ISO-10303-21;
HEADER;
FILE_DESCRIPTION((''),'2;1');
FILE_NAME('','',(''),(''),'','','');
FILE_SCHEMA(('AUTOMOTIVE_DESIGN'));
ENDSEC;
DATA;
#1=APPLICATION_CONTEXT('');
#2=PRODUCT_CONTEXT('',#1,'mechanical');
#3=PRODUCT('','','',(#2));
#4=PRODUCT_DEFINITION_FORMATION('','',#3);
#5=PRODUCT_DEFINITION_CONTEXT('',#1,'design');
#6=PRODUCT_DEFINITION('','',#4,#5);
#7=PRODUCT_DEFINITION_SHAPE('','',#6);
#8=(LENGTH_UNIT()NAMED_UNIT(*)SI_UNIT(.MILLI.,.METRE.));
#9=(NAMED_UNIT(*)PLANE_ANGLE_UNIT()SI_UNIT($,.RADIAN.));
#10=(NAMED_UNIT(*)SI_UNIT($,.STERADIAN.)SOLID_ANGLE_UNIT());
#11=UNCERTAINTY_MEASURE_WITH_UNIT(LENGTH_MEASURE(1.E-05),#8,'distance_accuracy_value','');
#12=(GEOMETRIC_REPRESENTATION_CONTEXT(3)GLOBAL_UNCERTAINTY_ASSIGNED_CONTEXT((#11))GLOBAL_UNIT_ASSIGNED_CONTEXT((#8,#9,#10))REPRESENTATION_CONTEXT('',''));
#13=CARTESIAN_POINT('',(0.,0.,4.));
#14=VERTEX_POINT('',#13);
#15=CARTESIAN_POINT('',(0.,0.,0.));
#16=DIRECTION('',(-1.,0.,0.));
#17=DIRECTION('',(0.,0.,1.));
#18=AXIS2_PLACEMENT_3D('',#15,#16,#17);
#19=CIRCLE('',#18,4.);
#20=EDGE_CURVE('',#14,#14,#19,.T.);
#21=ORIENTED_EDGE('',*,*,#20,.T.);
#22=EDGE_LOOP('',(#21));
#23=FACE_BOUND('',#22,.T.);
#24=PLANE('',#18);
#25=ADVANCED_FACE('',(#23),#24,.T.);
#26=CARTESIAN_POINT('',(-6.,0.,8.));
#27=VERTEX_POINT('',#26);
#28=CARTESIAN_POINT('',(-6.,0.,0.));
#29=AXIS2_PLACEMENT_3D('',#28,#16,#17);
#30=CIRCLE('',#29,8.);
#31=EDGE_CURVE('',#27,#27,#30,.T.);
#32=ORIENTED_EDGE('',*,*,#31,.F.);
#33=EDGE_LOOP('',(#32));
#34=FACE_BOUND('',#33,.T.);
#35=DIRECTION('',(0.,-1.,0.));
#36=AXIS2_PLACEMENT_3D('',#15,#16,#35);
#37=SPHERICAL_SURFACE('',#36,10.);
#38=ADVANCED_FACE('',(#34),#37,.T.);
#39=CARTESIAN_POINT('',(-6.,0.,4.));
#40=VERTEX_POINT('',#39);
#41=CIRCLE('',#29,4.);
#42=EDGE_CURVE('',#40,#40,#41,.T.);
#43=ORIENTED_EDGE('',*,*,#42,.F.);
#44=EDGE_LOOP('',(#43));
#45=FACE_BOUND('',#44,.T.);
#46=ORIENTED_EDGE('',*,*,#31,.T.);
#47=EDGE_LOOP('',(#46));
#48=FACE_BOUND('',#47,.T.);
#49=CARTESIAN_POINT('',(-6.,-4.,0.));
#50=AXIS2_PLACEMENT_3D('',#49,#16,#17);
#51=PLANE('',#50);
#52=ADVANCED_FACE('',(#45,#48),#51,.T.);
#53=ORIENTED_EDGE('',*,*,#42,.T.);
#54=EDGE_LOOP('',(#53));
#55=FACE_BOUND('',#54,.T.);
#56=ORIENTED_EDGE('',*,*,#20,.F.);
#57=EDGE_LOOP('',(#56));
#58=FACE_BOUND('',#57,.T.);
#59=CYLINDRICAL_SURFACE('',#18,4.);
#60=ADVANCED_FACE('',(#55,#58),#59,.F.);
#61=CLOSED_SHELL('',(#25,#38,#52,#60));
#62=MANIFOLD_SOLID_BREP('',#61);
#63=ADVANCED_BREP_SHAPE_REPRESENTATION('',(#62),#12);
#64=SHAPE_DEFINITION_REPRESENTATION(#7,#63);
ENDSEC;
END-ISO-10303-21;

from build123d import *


with BuildPart() as part:
    # Эскиз5 → Повернуть2 (revolve)
    with BuildSketch(Plane.XY):
        with BuildLine():
            Line((0, 0), (10, 0))
            ThreePointArc((10, 0), (4.472135955, -8.94427191), (-6, -8))
            Line((-6, -8), (-6, -4))
            Line((-6, -4), (0, -4))
            Line((0, -4), (0, 0))
        make_face()
    revolve(axis=Axis((0, 0, 0), (1, 0, 0)))


solid = part.part
